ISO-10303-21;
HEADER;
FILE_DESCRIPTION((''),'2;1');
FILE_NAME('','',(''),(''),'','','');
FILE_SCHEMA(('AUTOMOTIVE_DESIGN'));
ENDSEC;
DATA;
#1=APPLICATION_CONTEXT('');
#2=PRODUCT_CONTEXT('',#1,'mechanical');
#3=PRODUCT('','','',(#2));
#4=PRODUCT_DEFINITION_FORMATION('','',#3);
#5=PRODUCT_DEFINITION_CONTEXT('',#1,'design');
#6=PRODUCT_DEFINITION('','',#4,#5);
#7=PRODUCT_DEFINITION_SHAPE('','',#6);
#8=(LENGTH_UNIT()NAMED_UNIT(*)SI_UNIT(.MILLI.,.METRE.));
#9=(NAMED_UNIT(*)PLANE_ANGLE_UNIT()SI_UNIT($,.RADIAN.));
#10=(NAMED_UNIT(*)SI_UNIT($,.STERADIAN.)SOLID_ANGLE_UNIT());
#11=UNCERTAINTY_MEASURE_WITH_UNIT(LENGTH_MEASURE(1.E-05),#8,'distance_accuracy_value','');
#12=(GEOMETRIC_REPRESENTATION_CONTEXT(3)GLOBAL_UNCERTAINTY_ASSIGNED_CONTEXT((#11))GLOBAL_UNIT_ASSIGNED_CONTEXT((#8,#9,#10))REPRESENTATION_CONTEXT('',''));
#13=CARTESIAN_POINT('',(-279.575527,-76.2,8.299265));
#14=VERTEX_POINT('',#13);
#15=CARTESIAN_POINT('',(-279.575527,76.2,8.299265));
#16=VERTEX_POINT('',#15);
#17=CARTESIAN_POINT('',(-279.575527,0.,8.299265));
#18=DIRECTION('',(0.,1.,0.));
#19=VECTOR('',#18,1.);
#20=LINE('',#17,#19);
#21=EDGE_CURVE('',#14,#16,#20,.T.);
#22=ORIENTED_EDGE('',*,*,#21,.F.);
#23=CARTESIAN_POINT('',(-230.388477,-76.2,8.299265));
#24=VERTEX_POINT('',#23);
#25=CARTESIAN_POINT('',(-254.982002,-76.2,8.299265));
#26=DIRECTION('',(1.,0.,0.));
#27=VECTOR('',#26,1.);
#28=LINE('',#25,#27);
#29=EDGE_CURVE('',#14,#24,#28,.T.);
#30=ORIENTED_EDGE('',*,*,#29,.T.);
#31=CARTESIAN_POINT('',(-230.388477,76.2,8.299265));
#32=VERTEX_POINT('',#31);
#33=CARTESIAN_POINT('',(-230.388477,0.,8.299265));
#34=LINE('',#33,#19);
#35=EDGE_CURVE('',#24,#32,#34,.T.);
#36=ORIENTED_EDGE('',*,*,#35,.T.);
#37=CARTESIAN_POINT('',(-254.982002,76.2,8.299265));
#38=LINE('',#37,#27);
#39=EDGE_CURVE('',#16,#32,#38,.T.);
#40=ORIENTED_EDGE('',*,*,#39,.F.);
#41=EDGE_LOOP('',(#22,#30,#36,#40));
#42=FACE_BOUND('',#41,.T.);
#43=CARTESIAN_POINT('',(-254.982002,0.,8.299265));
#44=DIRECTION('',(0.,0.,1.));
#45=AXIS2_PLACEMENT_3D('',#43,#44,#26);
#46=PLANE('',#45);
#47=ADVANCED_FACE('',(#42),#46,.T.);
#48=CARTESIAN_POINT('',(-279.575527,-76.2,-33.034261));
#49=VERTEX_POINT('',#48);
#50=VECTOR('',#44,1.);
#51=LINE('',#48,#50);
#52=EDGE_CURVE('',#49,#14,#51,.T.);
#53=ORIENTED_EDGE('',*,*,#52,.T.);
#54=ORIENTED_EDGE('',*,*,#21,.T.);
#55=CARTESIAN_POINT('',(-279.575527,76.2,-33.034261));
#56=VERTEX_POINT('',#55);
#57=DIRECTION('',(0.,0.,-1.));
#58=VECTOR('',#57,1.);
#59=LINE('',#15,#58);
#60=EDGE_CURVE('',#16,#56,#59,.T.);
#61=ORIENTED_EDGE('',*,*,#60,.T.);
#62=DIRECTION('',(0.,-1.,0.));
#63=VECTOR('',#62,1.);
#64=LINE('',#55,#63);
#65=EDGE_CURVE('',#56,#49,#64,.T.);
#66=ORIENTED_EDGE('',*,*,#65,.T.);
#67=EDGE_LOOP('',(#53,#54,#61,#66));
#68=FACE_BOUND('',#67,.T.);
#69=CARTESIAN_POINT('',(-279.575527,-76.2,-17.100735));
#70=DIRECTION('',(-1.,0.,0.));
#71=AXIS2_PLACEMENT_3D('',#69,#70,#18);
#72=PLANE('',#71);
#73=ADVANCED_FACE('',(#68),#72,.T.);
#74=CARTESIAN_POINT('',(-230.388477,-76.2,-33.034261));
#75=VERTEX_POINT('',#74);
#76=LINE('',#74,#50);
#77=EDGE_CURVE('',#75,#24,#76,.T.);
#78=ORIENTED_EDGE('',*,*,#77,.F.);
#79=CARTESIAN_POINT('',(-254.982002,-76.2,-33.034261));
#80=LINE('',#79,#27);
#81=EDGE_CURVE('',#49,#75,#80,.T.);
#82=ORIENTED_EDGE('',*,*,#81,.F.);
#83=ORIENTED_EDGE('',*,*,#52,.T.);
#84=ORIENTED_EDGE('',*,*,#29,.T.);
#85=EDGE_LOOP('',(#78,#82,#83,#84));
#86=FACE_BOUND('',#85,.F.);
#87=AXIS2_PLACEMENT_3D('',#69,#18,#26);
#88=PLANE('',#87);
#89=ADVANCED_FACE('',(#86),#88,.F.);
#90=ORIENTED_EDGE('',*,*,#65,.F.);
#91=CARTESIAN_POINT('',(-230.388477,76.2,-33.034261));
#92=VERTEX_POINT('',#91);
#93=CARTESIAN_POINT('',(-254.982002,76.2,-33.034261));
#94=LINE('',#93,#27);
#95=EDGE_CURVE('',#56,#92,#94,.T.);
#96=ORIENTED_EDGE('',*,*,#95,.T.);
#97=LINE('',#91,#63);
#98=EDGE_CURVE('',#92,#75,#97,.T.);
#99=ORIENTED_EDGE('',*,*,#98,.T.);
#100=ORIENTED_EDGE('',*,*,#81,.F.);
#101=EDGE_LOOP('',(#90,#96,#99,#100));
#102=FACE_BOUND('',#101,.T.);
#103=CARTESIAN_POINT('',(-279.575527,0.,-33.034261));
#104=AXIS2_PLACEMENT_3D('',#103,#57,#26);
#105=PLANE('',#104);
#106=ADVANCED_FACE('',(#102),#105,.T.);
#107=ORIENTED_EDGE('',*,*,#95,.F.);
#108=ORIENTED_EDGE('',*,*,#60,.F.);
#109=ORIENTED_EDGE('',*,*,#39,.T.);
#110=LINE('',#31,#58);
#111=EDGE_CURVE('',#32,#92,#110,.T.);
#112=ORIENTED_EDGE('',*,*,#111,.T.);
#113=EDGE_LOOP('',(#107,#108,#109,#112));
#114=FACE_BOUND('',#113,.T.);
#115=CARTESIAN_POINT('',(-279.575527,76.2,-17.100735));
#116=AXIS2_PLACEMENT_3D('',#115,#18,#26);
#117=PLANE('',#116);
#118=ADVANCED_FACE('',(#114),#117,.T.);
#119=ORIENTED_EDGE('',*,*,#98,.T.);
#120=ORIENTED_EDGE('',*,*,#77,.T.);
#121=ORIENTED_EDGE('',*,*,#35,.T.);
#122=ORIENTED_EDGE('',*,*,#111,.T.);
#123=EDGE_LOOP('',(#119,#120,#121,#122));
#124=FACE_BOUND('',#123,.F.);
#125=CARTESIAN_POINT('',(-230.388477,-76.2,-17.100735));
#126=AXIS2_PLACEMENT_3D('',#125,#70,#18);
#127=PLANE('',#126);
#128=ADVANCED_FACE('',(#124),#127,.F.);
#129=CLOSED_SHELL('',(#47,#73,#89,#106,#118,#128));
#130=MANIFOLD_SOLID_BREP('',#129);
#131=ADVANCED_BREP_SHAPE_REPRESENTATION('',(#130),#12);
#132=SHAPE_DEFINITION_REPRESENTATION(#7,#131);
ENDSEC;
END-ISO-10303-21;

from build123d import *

# Parameters (mm, degrees)
F0_W     = 49.1870492697
F0_H     = 15.9335266799
F2_DEPTH = 76.2
F3_W     = 49.1870492697
F3_H     = 152.4
F4_DEPTH = 25.4


with BuildPart() as f2:
    # F0 (on Front) → F2 (new body, symmetric)
    with BuildSketch(Plane.XZ):
        with Locations((-254.9820020795, -25.0674979761)):
            Rectangle(F0_W, F0_H)
    extrude(amount=F2_DEPTH, both=True)

    # F3 (on face) → F4 (join)
    with BuildSketch(Plane.XY.offset(-17.1007346362)):
        with Locations((-254.9820020795, 0)):
            Rectangle(F3_W, F3_H)
    extrude(amount=F4_DEPTH)


solid = f2.part
